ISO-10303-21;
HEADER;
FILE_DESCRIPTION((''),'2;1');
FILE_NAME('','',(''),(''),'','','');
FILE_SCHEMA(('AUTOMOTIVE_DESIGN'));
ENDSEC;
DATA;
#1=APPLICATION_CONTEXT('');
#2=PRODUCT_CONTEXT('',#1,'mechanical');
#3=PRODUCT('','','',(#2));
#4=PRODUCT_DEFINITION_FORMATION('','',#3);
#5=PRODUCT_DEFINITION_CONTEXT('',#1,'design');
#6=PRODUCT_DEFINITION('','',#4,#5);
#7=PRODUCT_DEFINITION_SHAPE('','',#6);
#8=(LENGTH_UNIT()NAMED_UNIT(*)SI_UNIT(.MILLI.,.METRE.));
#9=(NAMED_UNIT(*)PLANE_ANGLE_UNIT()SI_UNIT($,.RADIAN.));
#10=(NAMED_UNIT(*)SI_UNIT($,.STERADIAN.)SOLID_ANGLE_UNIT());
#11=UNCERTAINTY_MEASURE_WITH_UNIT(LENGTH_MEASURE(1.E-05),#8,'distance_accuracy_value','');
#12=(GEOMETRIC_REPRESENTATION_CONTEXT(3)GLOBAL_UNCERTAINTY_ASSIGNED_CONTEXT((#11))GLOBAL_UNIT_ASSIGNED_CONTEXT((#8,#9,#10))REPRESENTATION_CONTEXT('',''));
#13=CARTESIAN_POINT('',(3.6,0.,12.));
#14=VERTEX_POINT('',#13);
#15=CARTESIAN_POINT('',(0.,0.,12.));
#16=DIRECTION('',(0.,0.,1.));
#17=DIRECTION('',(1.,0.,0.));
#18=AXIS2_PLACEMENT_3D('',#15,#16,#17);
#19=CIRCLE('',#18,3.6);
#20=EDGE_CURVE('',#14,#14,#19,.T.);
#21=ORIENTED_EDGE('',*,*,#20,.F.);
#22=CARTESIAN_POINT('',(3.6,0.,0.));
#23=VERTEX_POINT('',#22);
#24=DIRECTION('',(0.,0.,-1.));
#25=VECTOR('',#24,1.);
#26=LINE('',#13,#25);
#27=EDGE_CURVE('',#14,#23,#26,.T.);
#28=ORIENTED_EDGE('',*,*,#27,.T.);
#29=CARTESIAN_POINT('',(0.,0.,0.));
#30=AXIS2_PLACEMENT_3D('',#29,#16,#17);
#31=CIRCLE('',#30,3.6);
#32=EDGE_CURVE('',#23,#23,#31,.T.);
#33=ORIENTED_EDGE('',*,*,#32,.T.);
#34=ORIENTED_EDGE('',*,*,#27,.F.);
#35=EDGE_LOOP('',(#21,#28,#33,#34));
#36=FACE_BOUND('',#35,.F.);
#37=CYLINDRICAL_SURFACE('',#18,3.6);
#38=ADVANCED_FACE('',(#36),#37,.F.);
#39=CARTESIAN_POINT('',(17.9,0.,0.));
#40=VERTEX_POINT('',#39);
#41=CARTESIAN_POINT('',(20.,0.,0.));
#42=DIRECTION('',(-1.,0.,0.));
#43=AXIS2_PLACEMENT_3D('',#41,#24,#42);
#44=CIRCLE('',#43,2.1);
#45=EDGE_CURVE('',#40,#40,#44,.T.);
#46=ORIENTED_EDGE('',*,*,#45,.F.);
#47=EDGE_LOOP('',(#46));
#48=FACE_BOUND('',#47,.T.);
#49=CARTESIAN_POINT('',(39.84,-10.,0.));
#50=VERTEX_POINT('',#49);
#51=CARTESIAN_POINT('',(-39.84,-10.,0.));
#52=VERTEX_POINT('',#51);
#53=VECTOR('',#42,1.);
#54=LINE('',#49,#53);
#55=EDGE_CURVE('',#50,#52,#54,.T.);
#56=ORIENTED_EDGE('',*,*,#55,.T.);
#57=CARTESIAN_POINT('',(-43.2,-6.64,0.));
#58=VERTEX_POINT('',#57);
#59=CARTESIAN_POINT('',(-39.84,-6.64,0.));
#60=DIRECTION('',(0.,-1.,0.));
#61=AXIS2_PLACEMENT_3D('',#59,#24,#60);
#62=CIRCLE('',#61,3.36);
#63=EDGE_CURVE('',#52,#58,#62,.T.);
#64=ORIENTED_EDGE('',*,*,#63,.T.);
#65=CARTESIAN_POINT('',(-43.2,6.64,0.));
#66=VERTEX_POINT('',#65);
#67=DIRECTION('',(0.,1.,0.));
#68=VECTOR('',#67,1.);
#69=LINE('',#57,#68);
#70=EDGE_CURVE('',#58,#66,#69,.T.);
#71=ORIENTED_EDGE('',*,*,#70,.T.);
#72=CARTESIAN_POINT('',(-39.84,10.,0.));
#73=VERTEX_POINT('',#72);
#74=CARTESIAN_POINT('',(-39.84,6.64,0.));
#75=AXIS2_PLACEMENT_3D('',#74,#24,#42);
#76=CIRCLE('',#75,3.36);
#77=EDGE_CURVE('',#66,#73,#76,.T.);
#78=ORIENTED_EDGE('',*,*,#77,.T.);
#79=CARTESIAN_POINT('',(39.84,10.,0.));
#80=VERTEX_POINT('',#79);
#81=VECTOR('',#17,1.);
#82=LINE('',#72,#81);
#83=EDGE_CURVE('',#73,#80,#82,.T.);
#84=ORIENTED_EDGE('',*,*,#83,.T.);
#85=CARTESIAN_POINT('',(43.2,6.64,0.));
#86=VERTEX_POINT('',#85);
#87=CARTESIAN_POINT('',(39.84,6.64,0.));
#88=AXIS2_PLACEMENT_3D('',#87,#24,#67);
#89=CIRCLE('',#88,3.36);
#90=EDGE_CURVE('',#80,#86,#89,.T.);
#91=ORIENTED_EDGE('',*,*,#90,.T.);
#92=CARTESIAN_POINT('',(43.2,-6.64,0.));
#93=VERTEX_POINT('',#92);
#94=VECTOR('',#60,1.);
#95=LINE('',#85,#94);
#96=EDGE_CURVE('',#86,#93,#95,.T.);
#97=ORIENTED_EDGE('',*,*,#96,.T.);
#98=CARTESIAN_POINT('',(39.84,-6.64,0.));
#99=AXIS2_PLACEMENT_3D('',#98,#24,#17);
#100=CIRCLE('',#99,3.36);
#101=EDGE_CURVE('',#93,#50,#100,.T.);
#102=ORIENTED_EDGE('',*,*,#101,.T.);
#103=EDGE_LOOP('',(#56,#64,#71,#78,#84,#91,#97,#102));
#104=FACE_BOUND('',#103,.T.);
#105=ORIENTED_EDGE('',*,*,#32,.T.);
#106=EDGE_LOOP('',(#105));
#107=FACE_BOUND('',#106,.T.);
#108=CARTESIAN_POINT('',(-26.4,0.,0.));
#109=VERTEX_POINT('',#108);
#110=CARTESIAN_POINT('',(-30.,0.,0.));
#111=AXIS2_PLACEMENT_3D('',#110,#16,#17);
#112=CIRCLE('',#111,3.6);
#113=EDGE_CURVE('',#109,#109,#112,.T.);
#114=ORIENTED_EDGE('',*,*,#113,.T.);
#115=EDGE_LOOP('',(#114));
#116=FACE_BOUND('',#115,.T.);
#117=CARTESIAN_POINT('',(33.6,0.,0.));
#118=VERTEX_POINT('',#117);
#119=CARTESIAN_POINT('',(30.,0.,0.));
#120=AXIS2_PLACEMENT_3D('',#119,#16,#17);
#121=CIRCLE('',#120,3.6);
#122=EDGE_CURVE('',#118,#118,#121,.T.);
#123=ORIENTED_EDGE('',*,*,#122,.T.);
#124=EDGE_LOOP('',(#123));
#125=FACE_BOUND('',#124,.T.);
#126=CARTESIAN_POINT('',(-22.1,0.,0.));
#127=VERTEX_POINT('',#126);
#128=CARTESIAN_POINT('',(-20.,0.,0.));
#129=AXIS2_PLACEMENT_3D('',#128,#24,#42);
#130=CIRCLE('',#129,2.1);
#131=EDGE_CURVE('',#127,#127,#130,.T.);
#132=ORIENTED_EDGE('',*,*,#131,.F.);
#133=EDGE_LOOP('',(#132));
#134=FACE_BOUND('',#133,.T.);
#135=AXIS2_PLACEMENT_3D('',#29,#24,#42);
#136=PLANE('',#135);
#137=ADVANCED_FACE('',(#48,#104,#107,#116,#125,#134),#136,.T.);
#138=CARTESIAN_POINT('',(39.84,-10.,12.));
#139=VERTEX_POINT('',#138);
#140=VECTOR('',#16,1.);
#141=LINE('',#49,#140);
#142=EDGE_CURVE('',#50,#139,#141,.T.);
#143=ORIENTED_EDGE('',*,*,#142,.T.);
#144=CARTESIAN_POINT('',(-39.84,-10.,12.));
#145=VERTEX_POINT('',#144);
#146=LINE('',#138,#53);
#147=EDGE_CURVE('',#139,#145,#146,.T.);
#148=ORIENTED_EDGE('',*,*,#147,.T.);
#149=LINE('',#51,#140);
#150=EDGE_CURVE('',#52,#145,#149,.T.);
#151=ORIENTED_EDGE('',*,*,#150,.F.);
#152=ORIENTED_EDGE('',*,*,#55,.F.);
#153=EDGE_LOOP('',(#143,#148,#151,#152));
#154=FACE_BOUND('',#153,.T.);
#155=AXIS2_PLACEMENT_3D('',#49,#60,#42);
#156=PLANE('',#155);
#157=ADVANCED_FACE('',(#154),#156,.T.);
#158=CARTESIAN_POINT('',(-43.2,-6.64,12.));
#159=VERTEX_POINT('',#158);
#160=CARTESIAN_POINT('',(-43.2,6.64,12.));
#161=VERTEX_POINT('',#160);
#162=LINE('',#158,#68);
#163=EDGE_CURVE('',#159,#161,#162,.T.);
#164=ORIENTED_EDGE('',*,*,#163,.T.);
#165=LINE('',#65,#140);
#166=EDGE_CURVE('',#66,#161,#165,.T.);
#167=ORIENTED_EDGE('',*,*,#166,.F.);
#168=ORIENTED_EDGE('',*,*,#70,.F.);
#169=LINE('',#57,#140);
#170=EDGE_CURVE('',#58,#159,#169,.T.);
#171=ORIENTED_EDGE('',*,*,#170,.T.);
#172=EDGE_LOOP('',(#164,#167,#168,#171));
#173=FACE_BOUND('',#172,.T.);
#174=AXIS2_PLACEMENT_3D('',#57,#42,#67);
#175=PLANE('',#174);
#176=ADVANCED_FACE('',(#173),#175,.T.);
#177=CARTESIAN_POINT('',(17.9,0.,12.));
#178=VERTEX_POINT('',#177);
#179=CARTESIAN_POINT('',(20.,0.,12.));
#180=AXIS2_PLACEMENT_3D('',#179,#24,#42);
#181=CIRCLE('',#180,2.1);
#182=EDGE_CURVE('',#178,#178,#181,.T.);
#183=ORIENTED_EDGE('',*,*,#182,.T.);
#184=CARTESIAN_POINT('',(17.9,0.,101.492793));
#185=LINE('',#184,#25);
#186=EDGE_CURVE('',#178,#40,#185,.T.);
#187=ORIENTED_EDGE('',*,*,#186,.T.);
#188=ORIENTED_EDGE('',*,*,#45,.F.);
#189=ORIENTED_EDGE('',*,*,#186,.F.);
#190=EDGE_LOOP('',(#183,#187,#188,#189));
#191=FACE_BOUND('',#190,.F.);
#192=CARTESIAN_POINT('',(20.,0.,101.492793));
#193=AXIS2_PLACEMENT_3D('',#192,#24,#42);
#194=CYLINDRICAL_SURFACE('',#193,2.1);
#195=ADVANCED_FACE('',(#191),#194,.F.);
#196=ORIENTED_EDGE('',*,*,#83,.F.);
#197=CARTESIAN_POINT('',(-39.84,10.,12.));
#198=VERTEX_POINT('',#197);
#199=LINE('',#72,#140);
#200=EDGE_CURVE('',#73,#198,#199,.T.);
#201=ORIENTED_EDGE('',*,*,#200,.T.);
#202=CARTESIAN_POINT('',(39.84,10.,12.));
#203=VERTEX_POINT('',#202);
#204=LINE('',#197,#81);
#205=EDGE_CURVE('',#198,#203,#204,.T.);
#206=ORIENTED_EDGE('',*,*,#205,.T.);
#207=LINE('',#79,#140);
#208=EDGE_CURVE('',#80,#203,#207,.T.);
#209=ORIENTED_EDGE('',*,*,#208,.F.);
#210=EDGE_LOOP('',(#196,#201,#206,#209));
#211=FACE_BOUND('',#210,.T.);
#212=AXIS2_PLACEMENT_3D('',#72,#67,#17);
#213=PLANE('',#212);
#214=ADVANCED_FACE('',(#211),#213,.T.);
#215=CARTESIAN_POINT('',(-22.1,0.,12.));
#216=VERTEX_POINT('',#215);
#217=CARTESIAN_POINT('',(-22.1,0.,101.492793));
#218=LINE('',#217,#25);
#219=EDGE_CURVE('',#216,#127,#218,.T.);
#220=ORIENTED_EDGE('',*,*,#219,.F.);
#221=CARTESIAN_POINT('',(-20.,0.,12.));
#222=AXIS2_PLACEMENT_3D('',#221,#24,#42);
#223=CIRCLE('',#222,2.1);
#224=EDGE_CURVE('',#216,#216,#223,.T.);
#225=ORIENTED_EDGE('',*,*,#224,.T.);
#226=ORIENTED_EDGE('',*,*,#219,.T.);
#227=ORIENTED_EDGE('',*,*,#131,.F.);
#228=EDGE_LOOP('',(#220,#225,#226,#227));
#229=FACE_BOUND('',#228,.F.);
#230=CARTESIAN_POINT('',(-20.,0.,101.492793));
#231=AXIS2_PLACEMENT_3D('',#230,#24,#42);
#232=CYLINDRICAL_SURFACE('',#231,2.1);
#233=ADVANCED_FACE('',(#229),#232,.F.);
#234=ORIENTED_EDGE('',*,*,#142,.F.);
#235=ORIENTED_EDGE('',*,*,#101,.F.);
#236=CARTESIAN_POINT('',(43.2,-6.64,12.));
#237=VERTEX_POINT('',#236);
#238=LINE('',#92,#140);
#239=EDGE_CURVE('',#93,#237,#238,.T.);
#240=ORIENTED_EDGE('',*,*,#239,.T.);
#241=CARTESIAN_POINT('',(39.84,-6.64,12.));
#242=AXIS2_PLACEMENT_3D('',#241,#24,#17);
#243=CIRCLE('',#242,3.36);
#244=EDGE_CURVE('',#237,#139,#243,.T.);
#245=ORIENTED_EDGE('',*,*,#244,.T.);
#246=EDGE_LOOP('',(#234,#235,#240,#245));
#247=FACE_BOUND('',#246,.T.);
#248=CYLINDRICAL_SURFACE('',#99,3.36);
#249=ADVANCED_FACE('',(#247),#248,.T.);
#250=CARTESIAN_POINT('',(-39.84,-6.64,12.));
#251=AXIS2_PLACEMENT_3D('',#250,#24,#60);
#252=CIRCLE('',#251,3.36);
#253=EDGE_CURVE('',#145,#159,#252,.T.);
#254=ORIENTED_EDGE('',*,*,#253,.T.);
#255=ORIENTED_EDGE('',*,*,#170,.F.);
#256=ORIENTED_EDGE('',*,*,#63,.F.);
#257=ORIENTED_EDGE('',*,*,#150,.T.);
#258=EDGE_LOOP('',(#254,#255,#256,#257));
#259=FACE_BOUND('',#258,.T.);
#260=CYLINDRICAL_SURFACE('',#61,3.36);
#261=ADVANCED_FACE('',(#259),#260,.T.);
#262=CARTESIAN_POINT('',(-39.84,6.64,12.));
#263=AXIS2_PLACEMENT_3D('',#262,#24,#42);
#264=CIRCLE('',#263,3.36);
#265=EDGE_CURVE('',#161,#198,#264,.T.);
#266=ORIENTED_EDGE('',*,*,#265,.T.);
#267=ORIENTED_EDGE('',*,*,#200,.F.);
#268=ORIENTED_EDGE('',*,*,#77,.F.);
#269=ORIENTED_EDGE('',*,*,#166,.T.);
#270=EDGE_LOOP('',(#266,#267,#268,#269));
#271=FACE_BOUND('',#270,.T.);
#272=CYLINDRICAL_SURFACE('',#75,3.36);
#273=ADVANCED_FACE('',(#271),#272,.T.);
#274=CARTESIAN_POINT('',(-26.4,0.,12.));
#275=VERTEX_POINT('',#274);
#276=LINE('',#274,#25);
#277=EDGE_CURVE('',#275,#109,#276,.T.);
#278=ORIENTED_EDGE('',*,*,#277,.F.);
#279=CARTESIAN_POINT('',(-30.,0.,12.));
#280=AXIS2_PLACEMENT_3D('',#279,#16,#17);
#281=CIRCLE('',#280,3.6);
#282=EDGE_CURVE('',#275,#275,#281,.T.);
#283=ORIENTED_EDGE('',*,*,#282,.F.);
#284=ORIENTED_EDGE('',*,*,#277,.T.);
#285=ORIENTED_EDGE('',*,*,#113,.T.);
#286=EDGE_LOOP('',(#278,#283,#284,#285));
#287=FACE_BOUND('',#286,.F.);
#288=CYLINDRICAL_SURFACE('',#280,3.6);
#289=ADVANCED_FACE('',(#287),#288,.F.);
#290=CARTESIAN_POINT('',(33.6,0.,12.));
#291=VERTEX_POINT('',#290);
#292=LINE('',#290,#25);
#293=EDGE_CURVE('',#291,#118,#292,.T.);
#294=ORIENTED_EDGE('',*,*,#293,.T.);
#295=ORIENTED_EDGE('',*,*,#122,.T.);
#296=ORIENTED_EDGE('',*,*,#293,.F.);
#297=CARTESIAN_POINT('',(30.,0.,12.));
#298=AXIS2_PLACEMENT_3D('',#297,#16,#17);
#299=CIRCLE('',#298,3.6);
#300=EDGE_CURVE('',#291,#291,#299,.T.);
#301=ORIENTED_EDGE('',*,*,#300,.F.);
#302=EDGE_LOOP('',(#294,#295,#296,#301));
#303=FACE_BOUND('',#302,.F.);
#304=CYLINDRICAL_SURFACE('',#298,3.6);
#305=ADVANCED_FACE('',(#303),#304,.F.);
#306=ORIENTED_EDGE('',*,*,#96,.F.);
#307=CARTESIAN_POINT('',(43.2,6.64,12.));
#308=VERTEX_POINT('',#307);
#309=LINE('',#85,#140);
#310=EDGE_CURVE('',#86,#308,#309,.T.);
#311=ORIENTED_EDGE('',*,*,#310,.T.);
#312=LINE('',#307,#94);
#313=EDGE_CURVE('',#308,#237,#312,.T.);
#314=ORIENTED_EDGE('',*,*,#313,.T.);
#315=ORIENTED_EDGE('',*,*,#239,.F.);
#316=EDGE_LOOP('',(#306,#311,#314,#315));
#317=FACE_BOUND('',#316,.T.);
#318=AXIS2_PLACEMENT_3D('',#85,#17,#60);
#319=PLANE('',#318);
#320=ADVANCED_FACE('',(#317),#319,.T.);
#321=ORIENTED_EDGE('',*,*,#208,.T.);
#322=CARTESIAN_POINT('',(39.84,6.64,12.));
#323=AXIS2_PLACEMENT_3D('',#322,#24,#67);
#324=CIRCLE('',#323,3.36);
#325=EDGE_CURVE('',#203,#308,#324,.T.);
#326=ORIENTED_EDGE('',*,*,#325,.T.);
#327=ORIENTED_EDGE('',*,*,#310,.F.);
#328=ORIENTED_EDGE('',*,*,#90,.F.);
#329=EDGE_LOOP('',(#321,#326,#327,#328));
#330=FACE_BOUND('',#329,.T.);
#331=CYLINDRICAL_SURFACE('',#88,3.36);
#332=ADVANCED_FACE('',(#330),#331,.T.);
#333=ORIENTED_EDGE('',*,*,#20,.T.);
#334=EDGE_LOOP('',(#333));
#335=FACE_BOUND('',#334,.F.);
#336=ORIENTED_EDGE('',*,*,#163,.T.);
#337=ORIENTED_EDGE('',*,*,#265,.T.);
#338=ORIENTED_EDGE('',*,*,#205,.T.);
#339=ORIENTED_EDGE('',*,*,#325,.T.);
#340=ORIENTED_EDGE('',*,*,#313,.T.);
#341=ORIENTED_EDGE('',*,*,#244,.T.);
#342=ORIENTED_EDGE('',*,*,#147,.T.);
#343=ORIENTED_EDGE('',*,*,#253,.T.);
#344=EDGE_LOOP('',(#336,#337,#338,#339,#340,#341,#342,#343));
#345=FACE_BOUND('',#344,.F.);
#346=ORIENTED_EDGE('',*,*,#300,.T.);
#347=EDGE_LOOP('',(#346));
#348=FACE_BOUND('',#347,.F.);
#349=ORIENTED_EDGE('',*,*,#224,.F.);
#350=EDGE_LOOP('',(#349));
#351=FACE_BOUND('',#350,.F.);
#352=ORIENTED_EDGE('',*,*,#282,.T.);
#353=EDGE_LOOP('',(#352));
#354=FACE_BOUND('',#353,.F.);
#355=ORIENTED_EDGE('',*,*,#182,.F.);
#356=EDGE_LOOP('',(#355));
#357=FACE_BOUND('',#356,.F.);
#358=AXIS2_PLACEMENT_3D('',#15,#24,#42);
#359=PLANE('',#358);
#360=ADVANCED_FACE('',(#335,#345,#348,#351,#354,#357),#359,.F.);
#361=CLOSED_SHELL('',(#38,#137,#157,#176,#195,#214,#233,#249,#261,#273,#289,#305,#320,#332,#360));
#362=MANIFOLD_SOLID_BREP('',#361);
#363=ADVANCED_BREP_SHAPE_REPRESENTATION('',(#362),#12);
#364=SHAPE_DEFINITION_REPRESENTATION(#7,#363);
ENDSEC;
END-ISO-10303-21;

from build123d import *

# Parameters (mm, degrees)
BOSS_EXTRUDE1_DEPTH   = 12
SKETCH3_R             = 3.6
CUT_EXTRUDE2_DEPTH    = 13
M5X0_8_TAPPED_HOLE1_D = 4.2


with BuildPart() as part:
    # Sketch1 → Boss-Extrude1 (new body)
    with BuildSketch(Plane.XY):
        with BuildLine():
            Line((39.84, -10), (-39.84, -10))
            ThreePointArc((-39.84, -10), (-42.215878785, -9.015878785), (-43.2, -6.64))
            Line((-43.2, -6.64), (-43.2, 6.64))
            ThreePointArc((-43.2, 6.64), (-42.215878785, 9.015878785), (-39.84, 10))
            Line((-39.84, 10), (39.84, 10))
            ThreePointArc((39.84, 10), (42.215878785, 9.015878785), (43.2, 6.64))
            Line((43.2, 6.64), (43.2, -6.64))
            ThreePointArc((43.2, -6.64), (42.215878785, -9.015878785), (39.84, -10))
        make_face()
    extrude(amount=BOSS_EXTRUDE1_DEPTH)

    # Sketch3 → Cut-Extrude2 (cut, through all)
    with BuildSketch(Plane.XY.offset(12)):
        with Locations((-30, 0)):
            Circle(SKETCH3_R)
        with Locations((30, 0)):
            Circle(SKETCH3_R)
        Circle(SKETCH3_R)
    extrude(amount=-CUT_EXTRUDE2_DEPTH, mode=Mode.SUBTRACT)

    # M5x0.8 Tapped Hole1 (through all)
    with Locations(Plane.XY.offset(12)):
        with Locations((-20, 0), (20, 0)):
            Hole(M5X0_8_TAPPED_HOLE1_D / 2)


solid = part.part
